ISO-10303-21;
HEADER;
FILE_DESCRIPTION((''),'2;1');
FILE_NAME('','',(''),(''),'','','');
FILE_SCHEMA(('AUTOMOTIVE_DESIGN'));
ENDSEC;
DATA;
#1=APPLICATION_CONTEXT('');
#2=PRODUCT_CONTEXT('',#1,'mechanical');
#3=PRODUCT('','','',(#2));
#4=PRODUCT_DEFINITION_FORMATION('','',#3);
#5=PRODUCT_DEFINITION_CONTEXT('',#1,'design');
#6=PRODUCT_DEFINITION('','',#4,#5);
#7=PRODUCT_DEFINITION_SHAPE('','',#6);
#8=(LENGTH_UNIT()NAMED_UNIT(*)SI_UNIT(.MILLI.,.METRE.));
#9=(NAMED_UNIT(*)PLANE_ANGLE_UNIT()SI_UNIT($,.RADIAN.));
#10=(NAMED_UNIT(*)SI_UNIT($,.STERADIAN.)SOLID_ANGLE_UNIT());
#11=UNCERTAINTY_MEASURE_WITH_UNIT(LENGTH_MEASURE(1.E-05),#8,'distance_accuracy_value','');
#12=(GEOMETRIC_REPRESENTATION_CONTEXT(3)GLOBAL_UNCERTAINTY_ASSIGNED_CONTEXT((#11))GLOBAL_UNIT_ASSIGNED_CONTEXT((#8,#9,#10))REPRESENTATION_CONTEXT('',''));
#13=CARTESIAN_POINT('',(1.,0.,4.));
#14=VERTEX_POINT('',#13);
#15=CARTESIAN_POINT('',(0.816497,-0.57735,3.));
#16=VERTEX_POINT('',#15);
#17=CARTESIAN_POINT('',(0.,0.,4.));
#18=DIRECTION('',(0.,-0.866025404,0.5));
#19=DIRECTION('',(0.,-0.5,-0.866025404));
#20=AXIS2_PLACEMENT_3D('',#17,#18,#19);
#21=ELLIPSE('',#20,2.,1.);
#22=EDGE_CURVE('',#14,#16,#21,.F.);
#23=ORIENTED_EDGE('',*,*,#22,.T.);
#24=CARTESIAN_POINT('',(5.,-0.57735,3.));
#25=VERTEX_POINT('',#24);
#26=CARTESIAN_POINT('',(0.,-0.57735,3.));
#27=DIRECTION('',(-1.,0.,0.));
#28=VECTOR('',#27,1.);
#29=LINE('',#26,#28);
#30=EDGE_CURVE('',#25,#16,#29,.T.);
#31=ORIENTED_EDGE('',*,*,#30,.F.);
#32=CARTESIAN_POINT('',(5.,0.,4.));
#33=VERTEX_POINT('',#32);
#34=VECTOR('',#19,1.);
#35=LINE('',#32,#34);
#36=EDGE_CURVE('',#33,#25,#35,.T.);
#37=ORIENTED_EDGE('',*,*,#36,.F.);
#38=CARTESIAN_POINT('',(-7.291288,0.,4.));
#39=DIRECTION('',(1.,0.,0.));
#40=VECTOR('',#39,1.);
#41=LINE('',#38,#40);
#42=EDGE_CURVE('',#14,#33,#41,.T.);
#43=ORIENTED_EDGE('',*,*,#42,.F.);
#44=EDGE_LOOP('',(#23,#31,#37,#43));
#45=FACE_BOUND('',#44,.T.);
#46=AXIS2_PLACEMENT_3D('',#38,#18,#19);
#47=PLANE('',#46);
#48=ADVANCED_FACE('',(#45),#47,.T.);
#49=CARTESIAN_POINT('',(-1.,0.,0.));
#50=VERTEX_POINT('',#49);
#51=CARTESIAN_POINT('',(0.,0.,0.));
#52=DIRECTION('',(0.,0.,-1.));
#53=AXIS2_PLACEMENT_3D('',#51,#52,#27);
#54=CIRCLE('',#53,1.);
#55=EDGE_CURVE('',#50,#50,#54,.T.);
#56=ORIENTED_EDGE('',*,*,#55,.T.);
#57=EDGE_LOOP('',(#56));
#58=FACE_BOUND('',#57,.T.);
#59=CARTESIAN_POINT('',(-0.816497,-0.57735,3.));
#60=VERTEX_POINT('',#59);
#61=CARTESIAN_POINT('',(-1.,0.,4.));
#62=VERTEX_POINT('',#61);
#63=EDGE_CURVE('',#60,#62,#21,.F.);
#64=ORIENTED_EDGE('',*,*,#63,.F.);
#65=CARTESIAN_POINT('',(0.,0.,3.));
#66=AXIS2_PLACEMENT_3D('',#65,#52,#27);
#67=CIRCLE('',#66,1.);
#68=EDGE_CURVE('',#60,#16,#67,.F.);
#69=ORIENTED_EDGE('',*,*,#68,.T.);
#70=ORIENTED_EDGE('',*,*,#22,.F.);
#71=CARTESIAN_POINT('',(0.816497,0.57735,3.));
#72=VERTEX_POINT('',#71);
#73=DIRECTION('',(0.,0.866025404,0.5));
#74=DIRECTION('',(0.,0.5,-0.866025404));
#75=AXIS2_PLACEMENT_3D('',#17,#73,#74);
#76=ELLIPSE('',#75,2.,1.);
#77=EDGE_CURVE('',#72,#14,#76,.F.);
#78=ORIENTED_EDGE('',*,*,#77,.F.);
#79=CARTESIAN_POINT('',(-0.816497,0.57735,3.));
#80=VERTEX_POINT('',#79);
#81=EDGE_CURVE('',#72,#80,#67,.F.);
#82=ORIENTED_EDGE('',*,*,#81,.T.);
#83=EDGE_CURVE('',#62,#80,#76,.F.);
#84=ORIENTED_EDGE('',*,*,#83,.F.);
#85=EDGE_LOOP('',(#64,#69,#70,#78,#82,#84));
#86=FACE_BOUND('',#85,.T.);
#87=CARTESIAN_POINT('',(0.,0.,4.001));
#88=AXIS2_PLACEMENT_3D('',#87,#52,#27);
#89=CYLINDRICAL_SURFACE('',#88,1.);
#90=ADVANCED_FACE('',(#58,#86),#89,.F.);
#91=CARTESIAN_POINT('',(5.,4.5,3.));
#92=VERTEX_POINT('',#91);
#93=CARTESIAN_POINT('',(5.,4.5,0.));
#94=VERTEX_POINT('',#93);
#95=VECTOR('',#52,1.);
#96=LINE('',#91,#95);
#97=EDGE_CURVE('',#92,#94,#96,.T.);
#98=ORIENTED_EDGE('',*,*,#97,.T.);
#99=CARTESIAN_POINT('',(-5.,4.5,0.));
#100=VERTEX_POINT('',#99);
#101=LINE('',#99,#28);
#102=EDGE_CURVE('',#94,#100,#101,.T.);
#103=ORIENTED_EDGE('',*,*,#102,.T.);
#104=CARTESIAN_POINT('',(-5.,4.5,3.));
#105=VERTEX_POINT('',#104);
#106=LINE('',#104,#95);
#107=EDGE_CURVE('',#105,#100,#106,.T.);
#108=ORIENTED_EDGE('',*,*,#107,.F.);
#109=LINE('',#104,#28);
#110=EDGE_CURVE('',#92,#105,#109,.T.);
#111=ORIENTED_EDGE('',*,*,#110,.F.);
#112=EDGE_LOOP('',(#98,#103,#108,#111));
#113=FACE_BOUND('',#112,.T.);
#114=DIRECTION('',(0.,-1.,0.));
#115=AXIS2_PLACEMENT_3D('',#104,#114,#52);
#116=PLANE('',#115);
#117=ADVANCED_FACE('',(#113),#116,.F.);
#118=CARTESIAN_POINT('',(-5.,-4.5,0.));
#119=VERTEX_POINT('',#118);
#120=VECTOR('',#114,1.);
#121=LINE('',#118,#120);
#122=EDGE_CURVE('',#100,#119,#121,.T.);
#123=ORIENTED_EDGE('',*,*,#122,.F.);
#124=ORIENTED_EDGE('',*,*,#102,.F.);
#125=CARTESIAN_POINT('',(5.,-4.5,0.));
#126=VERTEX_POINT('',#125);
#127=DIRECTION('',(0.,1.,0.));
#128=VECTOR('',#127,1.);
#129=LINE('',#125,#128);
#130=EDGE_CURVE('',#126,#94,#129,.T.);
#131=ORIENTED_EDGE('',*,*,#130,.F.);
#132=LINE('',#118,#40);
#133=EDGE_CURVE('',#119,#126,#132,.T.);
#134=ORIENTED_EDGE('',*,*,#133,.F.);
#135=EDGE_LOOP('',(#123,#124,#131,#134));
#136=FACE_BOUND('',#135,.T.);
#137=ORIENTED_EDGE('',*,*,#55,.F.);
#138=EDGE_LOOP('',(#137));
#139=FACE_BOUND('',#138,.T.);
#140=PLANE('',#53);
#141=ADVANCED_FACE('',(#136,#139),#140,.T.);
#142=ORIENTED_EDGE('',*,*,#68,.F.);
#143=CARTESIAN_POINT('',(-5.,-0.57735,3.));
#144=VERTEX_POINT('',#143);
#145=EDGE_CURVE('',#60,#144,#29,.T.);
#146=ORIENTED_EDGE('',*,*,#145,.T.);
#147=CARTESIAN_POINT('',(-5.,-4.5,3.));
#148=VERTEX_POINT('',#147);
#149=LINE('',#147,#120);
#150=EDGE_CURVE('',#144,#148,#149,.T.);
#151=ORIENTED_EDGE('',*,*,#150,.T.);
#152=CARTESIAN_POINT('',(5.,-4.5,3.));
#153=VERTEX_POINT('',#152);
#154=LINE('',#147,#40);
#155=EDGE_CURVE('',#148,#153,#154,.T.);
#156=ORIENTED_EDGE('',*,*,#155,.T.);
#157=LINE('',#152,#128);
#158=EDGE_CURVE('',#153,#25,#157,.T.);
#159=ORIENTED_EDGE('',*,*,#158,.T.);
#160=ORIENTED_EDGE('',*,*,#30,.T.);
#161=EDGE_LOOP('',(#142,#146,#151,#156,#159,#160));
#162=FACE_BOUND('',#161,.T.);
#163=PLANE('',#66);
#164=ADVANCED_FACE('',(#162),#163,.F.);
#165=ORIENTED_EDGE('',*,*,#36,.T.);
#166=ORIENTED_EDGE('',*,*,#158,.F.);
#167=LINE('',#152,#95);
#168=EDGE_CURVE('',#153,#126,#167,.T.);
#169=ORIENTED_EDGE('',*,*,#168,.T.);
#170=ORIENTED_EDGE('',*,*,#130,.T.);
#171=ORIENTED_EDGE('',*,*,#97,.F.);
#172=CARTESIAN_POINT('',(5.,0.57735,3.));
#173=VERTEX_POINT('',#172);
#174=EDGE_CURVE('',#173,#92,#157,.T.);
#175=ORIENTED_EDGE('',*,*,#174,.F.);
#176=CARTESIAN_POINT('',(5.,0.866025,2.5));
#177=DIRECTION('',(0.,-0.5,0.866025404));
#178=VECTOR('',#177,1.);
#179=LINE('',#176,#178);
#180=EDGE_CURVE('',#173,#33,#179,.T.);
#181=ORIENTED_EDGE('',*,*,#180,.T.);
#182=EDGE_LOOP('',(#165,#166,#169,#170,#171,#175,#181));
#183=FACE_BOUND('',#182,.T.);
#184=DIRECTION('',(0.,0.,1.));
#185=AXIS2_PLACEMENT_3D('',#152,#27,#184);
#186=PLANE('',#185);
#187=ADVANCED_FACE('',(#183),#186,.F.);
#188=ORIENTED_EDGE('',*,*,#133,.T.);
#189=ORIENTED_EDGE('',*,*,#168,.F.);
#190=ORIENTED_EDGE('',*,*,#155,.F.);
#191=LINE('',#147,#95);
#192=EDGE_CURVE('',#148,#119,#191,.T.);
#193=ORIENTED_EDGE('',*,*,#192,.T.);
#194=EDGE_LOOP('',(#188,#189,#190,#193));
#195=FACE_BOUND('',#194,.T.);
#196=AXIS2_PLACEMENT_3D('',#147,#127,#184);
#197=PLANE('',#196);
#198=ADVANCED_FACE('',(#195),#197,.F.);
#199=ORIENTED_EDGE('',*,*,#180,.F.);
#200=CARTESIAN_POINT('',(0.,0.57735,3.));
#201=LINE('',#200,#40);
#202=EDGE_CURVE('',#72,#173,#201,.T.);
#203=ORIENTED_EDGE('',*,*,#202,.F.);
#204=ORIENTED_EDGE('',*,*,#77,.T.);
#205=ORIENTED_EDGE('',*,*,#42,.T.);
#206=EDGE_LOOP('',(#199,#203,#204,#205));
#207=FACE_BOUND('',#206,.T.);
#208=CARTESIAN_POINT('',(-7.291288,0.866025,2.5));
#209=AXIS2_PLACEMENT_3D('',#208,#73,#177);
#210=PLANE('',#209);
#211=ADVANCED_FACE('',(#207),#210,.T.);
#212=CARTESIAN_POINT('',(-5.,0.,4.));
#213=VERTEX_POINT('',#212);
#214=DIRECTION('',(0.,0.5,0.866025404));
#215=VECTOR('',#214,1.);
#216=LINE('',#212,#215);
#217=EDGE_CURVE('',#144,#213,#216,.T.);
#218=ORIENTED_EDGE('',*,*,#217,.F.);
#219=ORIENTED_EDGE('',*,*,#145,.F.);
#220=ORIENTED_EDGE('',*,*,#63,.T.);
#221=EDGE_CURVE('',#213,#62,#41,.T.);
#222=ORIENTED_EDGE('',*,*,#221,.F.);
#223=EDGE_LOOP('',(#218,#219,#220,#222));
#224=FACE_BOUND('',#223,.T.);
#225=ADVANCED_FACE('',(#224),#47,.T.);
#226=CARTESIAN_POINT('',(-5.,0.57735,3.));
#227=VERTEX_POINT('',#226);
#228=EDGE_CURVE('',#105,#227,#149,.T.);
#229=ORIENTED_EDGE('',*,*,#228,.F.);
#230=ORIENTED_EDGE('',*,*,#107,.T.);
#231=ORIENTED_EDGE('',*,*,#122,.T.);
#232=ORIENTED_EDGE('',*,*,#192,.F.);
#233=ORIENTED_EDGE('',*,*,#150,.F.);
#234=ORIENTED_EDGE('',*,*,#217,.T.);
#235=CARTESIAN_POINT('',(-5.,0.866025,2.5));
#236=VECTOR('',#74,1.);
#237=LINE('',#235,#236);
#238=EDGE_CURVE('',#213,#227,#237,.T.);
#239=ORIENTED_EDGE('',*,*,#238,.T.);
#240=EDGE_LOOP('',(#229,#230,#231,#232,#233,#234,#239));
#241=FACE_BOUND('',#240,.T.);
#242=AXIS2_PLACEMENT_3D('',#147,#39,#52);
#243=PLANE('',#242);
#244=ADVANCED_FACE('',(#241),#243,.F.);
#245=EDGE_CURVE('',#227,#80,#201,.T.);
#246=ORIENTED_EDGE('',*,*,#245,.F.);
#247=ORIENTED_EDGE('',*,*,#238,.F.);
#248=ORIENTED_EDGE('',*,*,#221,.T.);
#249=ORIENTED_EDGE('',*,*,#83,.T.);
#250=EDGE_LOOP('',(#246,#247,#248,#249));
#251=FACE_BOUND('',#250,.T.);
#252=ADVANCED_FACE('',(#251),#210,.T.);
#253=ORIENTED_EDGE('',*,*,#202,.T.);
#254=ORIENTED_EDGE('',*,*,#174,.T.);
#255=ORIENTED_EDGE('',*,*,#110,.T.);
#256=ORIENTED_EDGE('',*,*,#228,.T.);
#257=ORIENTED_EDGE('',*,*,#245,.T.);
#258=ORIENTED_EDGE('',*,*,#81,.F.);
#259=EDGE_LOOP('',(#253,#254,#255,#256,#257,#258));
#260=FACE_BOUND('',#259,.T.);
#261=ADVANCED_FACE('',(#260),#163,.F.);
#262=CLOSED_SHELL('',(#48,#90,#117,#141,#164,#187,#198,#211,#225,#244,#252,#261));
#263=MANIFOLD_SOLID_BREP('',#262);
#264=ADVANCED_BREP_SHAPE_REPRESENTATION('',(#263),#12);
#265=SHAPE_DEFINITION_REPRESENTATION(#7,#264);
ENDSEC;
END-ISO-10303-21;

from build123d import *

# Parameters (mm, degrees)
SKETCH1_W           = 10
SKETCH1_H           = 9
BOSS_EXTRUDE1_DEPTH = 3
BOSS_EXTRUDE2_DEPTH = 10
CUT_EXTRUDE1_REACH  = 9.826
SKETCH3_R           = 1


with BuildPart() as part:
    # Sketch1 → Boss-Extrude1 (new body)
    with BuildSketch(Plane.XY):
        Rectangle(SKETCH1_W, SKETCH1_H)
    extrude(amount=BOSS_EXTRUDE1_DEPTH)

    # Sketch2 → Boss-Extrude2 (add)
    with BuildSketch(Plane(origin=(5, 0, 0), x_dir=(0, 0, -1), z_dir=(1, 0, 0))):
        Polygon((-4, 0), (-2.5, -0.866025404), (-2.5, 0.866025404), align=None)
    extrude(amount=-BOSS_EXTRUDE2_DEPTH)

    # Sketch3 → Cut-Extrude1 (cut, up to next)
    with BuildSketch(Plane(origin=(0, 0, 0), x_dir=(-1, 0, 0), z_dir=(0, 0, -1)), mode=Mode.PRIVATE) as cut_extrude1_sk1:
        Circle(SKETCH3_R)
    cut_extrude1_tool1 = extrude(cut_extrude1_sk1.sketch, amount=-CUT_EXTRUDE1_REACH, mode=Mode.PRIVATE) & part.part
    add(cut_extrude1_tool1.solids().sort_by_distance((0, 0, 0))[0], mode=Mode.SUBTRACT)


solid = part.part
